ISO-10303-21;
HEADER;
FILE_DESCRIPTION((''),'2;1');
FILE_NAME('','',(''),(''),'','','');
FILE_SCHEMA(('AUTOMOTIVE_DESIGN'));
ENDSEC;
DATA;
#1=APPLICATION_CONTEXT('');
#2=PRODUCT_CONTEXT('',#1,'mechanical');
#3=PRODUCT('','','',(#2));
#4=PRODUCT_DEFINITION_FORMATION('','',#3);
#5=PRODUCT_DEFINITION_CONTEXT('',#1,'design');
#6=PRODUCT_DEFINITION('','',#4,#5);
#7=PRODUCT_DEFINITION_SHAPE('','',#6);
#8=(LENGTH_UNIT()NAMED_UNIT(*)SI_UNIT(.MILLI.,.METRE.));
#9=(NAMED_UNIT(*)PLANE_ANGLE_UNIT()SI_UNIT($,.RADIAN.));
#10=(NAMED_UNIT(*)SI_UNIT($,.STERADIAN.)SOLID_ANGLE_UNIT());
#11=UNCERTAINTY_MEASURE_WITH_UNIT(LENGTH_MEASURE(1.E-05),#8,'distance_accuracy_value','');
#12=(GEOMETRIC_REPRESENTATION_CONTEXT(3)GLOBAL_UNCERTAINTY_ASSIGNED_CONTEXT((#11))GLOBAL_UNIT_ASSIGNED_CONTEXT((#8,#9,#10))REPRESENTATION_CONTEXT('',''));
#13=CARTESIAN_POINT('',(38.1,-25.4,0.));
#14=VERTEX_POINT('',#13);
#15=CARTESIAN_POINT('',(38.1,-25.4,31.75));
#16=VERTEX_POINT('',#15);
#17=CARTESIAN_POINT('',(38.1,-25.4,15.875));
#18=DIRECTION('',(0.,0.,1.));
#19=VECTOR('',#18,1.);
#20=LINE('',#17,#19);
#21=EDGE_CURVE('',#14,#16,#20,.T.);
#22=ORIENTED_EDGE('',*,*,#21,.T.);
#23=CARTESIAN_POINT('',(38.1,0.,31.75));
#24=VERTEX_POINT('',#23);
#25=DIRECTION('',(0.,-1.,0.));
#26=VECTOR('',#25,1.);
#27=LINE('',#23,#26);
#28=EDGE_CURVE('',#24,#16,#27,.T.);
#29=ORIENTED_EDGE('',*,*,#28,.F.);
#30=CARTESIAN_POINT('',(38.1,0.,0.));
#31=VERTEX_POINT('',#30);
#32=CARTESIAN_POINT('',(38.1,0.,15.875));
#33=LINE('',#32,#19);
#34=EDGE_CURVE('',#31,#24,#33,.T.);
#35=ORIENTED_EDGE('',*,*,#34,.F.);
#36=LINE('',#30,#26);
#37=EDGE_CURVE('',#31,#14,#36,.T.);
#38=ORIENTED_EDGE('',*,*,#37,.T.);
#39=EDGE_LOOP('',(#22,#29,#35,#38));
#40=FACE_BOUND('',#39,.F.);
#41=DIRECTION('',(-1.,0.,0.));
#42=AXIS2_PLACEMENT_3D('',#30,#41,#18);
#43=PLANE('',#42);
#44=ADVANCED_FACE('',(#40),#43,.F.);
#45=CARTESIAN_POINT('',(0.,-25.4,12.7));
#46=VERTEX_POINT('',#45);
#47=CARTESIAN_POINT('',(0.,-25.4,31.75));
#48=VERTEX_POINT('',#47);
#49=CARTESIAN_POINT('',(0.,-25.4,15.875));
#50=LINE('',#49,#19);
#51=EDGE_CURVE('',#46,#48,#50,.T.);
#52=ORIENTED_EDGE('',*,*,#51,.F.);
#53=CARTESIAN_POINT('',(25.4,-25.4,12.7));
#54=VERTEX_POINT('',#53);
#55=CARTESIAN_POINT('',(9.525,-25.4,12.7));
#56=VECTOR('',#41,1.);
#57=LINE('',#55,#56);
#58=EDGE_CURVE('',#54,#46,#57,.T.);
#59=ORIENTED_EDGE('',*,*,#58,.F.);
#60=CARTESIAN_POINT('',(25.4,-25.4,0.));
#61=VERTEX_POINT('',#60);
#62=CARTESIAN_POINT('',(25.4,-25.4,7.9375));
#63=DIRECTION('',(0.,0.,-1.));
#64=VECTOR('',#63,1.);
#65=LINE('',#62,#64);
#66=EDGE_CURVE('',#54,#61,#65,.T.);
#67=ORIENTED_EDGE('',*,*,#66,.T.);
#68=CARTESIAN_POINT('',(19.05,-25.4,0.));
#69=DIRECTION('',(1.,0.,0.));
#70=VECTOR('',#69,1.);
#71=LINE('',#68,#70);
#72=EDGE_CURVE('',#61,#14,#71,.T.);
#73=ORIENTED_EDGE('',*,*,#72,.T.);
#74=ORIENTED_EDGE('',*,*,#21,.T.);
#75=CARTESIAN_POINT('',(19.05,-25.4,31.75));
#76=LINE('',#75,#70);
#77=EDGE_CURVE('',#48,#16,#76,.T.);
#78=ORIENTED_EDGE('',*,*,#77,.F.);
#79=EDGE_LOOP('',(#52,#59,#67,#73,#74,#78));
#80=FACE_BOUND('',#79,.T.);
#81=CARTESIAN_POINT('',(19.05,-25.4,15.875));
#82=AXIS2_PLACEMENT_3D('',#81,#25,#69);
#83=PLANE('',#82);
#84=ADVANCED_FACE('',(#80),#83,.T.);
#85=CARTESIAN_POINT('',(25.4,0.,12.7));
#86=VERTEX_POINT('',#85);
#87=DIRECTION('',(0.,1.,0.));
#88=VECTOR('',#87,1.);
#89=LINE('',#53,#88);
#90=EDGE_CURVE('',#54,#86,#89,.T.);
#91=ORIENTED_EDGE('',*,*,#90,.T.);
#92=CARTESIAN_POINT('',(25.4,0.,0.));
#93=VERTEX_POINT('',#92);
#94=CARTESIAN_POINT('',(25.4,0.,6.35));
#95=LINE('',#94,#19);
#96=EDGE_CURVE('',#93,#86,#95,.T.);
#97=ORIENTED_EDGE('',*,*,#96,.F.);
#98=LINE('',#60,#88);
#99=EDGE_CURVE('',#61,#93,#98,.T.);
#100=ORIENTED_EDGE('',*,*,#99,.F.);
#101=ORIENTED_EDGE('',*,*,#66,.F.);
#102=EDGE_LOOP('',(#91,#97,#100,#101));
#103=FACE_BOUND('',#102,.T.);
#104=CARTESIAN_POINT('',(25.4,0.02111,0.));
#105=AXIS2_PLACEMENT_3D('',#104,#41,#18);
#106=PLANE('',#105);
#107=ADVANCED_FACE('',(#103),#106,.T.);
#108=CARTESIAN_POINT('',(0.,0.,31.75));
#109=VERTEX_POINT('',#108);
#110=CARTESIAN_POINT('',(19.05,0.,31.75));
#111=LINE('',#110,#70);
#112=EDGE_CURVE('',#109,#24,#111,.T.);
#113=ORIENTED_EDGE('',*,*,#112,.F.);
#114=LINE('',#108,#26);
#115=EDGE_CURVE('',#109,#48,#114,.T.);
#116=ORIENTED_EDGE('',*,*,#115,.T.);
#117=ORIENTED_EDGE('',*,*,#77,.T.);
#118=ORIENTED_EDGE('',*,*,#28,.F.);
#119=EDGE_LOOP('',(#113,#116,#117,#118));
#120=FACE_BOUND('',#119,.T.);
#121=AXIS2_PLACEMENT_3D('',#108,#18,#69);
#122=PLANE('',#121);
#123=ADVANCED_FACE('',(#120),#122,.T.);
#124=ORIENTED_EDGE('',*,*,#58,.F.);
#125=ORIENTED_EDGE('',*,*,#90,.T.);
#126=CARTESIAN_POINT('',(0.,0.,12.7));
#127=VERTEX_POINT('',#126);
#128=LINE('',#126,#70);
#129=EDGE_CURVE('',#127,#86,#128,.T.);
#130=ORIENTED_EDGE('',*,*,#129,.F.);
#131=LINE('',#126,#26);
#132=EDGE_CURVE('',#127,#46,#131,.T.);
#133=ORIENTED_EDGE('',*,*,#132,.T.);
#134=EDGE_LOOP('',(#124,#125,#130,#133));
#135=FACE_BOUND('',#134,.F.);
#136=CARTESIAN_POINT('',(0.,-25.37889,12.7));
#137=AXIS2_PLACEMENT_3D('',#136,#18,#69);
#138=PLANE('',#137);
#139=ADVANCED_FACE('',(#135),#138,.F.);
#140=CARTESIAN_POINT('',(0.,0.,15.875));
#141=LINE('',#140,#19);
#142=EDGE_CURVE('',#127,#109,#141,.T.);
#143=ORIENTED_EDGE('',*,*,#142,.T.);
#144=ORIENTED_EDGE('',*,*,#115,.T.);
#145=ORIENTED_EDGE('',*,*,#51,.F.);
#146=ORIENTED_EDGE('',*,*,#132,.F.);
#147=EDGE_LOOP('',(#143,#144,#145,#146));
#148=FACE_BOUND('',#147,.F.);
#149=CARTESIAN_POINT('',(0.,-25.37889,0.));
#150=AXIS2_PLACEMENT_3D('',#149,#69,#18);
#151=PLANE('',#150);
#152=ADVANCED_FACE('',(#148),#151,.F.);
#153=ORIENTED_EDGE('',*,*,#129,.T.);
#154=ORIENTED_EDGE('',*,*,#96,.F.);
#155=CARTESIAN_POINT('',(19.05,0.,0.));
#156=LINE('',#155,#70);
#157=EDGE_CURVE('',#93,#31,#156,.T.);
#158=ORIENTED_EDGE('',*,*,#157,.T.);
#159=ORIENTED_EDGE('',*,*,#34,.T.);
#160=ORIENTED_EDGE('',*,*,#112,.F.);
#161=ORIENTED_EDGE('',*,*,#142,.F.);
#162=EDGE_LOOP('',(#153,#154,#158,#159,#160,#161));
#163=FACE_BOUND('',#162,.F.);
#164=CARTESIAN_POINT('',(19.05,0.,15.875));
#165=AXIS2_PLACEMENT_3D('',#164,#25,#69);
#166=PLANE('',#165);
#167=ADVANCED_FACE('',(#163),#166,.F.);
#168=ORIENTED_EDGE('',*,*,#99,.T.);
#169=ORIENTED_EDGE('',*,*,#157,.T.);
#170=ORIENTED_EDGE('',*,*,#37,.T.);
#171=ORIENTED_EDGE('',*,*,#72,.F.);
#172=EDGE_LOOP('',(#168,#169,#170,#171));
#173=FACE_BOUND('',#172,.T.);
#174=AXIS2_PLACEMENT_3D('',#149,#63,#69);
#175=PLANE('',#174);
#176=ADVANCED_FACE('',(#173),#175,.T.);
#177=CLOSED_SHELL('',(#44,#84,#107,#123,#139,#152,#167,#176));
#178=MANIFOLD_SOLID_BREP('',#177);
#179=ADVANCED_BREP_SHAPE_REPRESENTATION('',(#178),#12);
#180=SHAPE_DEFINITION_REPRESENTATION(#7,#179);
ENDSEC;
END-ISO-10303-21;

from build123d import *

# Parameters (mm, degrees)
F0_W     = 38.1
F0_H     = 31.75
F1_DEPTH = 25.4
F2_W     = 25.3788903356
F2_H     = 12.7
F3_DEPTH = 25.4
F4_DEPTH = 25.4
F5_DEPTH = 25.4
F6_DEPTH = 25.4


with BuildPart() as f1:
    # F0 (on Front) → F1 (new body)
    with BuildSketch(Plane.XZ):
        with Locations((19.05, 15.875)):
            Rectangle(F0_W, F0_H)
    extrude(amount=F1_DEPTH)

    # F2 (on Right) → F3 (cut)
    with BuildSketch(Plane.YZ):
        with Locations((-12.6894451678, 6.35)):
            Rectangle(F2_W, F2_H)
    extrude(amount=F3_DEPTH, mode=Mode.SUBTRACT)

    # F4 (add): a face of the model
    f4_faces = [f1.faces().sort_by_distance(p)[0] for p in [
        (12.7, -25.3788903356, 6.35),
    ]]
    extrude(f4_faces, amount=F4_DEPTH)

    # F5 (cut): a face of the model
    f5_faces = [f1.faces().sort_by_distance(p)[0] for p in [
        (12.7, 0.0211096644, 6.35),
    ]]
    extrude(f5_faces, amount=-F5_DEPTH, mode=Mode.SUBTRACT)

    # F6 (cut): a face of the model
    f6_faces = [f1.faces().sort_by_distance(p)[0] for p in [
        (12.7, -25.3788903356, 6.35),
    ]]
    extrude(f6_faces, amount=-F6_DEPTH, mode=Mode.SUBTRACT)


solid = f1.part
